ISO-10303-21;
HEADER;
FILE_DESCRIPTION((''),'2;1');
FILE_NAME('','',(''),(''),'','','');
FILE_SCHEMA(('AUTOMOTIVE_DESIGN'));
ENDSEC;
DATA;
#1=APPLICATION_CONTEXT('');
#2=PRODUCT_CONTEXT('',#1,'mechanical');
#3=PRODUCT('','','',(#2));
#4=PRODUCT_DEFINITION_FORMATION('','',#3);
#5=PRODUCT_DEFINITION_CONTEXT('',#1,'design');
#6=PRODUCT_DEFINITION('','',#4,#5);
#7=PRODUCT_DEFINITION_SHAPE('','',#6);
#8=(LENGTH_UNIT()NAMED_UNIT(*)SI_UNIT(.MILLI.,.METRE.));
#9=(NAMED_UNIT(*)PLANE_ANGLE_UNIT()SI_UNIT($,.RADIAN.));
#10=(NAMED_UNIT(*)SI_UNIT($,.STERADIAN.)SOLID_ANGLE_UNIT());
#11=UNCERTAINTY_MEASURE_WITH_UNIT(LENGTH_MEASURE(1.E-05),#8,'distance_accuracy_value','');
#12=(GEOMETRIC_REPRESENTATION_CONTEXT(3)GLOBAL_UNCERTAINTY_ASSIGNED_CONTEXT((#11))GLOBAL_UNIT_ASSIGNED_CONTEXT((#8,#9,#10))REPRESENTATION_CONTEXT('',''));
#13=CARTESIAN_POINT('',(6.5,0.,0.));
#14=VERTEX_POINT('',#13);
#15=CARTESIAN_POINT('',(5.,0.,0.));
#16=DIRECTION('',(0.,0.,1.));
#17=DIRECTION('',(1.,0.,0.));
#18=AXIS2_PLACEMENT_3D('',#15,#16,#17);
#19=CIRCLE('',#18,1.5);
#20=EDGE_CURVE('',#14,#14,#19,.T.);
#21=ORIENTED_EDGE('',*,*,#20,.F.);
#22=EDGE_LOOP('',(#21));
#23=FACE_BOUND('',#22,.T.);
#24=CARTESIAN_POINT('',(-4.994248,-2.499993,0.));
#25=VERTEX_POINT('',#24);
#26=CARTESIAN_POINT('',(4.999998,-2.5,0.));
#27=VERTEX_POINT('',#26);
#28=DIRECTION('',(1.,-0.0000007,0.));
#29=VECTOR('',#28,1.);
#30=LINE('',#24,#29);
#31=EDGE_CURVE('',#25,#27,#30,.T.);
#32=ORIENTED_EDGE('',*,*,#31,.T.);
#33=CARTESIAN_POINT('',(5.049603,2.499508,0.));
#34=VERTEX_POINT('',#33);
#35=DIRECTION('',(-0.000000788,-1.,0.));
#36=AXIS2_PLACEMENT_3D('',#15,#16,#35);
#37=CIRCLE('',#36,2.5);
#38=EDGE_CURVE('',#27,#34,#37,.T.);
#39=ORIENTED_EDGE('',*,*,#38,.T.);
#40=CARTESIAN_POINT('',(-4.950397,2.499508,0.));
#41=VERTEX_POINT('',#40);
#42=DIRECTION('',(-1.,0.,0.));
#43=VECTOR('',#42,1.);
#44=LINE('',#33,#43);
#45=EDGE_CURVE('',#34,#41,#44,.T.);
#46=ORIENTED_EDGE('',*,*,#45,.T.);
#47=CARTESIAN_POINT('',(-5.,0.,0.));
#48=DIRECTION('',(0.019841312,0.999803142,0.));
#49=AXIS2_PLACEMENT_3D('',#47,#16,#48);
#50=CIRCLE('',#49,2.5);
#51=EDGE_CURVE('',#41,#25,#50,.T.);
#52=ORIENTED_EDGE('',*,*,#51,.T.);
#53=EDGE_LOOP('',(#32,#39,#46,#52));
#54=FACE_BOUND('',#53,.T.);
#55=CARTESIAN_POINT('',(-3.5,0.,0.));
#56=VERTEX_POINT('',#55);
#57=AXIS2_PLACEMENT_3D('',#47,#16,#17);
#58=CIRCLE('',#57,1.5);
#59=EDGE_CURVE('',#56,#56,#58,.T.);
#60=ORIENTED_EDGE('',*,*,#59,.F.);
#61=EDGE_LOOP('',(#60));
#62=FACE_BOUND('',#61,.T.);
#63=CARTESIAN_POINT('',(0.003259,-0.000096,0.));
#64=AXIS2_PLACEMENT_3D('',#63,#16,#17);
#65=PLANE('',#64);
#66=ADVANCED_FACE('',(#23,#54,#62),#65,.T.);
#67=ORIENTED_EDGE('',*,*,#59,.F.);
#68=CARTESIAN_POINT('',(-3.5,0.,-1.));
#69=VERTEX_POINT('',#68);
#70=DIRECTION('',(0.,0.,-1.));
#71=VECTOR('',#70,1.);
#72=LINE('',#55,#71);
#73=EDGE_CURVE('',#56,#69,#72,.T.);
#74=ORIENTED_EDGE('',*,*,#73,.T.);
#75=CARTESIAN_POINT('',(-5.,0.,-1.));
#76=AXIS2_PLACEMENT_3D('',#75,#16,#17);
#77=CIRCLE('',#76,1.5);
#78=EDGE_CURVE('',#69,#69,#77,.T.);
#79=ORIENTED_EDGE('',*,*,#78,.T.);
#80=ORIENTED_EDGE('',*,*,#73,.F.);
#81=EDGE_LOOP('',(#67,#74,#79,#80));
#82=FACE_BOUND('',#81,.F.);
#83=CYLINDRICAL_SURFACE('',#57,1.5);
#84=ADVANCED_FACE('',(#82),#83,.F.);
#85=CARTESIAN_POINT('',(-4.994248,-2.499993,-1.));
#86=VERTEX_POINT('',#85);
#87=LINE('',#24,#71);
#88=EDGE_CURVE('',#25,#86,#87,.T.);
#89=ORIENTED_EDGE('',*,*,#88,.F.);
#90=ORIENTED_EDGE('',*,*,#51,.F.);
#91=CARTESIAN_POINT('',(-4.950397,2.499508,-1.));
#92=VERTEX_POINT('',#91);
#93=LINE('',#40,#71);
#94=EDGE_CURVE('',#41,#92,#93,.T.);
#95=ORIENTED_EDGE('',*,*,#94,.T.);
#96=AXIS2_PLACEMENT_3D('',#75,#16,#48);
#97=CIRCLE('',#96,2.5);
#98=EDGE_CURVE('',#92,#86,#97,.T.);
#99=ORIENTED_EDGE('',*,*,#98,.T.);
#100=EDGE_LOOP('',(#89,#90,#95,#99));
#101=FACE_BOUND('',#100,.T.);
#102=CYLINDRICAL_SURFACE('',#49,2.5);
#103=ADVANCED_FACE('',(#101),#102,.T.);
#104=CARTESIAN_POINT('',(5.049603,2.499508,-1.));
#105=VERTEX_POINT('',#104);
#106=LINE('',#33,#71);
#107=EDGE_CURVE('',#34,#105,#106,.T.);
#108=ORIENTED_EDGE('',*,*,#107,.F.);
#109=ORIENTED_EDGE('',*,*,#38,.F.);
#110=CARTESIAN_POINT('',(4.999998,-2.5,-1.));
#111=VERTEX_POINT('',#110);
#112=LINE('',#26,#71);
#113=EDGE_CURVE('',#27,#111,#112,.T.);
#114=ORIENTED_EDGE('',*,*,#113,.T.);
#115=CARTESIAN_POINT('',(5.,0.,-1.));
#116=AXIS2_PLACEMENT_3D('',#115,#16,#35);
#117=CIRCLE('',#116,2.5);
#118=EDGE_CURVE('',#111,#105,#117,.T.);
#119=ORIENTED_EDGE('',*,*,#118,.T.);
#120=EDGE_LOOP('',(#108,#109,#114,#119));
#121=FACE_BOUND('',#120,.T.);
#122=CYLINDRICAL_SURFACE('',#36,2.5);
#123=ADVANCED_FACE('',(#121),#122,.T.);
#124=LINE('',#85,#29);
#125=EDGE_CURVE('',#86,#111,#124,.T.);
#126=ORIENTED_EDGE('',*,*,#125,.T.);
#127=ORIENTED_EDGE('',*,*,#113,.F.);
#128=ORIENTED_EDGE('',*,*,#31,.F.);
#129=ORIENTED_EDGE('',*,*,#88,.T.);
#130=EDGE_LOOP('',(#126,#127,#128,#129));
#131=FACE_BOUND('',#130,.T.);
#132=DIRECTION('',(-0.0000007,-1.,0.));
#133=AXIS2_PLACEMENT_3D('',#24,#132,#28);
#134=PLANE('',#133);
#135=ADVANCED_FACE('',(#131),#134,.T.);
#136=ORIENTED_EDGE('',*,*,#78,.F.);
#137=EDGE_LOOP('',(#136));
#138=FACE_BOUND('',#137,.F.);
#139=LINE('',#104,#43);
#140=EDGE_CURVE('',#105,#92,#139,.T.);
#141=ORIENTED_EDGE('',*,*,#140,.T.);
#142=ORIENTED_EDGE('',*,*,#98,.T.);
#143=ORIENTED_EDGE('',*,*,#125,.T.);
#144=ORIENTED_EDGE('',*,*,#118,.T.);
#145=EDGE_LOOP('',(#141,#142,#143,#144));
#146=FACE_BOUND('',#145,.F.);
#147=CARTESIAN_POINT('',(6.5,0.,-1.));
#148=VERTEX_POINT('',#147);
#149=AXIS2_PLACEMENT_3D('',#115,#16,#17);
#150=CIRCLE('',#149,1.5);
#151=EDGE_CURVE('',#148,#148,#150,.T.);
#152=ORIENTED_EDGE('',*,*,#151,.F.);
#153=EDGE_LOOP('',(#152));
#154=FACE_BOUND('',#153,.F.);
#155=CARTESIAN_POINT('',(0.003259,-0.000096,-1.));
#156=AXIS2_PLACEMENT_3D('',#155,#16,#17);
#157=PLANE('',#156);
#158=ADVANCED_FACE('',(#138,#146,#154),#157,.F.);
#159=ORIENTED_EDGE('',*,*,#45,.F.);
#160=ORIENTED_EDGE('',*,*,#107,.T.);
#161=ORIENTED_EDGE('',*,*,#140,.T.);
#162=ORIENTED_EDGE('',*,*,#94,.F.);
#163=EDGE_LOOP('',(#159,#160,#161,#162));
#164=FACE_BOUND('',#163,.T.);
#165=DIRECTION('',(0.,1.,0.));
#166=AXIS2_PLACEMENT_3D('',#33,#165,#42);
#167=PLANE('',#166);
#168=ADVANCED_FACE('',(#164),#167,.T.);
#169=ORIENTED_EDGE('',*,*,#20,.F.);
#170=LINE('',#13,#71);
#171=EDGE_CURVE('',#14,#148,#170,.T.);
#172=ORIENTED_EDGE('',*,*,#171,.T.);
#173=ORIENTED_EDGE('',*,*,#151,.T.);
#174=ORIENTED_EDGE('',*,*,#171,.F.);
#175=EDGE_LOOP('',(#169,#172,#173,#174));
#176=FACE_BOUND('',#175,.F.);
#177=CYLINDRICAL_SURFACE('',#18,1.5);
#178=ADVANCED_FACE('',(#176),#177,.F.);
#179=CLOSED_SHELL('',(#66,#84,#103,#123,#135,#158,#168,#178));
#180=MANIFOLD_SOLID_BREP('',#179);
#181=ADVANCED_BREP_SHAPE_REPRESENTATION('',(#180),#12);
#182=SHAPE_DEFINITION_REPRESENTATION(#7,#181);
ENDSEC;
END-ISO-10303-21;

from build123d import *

# Parameters (mm, degrees)
F0_R     = 1.5
F1_DEPTH = 1


with BuildPart() as f1:
    # F0 (on Top) → F1 (new body)
    with BuildSketch(Plane.XY):
        with BuildLine():
            Line((4.950397, 2.499508), (-4.950397, 2.499508))
            ThreePointArc((-4.950397, 2.499508), (-7.499904, 0.021927), (-4.994248, -2.499993))
            Line((-4.994248, -2.499993), (4.999998, -2.5))
            ThreePointArc((4.999998, -2.5), (7.499877, -0.024803), (5.049603, 2.499508))
            Line((5.049603, 2.499508), (4.950397, 2.499508))
        make_face()
        with Locations((-5, 0)):
            Circle(F0_R, mode=Mode.SUBTRACT)
        with Locations((5, 0)):
            Circle(F0_R, mode=Mode.SUBTRACT)
    extrude(amount=-F1_DEPTH)


solid = f1.part
